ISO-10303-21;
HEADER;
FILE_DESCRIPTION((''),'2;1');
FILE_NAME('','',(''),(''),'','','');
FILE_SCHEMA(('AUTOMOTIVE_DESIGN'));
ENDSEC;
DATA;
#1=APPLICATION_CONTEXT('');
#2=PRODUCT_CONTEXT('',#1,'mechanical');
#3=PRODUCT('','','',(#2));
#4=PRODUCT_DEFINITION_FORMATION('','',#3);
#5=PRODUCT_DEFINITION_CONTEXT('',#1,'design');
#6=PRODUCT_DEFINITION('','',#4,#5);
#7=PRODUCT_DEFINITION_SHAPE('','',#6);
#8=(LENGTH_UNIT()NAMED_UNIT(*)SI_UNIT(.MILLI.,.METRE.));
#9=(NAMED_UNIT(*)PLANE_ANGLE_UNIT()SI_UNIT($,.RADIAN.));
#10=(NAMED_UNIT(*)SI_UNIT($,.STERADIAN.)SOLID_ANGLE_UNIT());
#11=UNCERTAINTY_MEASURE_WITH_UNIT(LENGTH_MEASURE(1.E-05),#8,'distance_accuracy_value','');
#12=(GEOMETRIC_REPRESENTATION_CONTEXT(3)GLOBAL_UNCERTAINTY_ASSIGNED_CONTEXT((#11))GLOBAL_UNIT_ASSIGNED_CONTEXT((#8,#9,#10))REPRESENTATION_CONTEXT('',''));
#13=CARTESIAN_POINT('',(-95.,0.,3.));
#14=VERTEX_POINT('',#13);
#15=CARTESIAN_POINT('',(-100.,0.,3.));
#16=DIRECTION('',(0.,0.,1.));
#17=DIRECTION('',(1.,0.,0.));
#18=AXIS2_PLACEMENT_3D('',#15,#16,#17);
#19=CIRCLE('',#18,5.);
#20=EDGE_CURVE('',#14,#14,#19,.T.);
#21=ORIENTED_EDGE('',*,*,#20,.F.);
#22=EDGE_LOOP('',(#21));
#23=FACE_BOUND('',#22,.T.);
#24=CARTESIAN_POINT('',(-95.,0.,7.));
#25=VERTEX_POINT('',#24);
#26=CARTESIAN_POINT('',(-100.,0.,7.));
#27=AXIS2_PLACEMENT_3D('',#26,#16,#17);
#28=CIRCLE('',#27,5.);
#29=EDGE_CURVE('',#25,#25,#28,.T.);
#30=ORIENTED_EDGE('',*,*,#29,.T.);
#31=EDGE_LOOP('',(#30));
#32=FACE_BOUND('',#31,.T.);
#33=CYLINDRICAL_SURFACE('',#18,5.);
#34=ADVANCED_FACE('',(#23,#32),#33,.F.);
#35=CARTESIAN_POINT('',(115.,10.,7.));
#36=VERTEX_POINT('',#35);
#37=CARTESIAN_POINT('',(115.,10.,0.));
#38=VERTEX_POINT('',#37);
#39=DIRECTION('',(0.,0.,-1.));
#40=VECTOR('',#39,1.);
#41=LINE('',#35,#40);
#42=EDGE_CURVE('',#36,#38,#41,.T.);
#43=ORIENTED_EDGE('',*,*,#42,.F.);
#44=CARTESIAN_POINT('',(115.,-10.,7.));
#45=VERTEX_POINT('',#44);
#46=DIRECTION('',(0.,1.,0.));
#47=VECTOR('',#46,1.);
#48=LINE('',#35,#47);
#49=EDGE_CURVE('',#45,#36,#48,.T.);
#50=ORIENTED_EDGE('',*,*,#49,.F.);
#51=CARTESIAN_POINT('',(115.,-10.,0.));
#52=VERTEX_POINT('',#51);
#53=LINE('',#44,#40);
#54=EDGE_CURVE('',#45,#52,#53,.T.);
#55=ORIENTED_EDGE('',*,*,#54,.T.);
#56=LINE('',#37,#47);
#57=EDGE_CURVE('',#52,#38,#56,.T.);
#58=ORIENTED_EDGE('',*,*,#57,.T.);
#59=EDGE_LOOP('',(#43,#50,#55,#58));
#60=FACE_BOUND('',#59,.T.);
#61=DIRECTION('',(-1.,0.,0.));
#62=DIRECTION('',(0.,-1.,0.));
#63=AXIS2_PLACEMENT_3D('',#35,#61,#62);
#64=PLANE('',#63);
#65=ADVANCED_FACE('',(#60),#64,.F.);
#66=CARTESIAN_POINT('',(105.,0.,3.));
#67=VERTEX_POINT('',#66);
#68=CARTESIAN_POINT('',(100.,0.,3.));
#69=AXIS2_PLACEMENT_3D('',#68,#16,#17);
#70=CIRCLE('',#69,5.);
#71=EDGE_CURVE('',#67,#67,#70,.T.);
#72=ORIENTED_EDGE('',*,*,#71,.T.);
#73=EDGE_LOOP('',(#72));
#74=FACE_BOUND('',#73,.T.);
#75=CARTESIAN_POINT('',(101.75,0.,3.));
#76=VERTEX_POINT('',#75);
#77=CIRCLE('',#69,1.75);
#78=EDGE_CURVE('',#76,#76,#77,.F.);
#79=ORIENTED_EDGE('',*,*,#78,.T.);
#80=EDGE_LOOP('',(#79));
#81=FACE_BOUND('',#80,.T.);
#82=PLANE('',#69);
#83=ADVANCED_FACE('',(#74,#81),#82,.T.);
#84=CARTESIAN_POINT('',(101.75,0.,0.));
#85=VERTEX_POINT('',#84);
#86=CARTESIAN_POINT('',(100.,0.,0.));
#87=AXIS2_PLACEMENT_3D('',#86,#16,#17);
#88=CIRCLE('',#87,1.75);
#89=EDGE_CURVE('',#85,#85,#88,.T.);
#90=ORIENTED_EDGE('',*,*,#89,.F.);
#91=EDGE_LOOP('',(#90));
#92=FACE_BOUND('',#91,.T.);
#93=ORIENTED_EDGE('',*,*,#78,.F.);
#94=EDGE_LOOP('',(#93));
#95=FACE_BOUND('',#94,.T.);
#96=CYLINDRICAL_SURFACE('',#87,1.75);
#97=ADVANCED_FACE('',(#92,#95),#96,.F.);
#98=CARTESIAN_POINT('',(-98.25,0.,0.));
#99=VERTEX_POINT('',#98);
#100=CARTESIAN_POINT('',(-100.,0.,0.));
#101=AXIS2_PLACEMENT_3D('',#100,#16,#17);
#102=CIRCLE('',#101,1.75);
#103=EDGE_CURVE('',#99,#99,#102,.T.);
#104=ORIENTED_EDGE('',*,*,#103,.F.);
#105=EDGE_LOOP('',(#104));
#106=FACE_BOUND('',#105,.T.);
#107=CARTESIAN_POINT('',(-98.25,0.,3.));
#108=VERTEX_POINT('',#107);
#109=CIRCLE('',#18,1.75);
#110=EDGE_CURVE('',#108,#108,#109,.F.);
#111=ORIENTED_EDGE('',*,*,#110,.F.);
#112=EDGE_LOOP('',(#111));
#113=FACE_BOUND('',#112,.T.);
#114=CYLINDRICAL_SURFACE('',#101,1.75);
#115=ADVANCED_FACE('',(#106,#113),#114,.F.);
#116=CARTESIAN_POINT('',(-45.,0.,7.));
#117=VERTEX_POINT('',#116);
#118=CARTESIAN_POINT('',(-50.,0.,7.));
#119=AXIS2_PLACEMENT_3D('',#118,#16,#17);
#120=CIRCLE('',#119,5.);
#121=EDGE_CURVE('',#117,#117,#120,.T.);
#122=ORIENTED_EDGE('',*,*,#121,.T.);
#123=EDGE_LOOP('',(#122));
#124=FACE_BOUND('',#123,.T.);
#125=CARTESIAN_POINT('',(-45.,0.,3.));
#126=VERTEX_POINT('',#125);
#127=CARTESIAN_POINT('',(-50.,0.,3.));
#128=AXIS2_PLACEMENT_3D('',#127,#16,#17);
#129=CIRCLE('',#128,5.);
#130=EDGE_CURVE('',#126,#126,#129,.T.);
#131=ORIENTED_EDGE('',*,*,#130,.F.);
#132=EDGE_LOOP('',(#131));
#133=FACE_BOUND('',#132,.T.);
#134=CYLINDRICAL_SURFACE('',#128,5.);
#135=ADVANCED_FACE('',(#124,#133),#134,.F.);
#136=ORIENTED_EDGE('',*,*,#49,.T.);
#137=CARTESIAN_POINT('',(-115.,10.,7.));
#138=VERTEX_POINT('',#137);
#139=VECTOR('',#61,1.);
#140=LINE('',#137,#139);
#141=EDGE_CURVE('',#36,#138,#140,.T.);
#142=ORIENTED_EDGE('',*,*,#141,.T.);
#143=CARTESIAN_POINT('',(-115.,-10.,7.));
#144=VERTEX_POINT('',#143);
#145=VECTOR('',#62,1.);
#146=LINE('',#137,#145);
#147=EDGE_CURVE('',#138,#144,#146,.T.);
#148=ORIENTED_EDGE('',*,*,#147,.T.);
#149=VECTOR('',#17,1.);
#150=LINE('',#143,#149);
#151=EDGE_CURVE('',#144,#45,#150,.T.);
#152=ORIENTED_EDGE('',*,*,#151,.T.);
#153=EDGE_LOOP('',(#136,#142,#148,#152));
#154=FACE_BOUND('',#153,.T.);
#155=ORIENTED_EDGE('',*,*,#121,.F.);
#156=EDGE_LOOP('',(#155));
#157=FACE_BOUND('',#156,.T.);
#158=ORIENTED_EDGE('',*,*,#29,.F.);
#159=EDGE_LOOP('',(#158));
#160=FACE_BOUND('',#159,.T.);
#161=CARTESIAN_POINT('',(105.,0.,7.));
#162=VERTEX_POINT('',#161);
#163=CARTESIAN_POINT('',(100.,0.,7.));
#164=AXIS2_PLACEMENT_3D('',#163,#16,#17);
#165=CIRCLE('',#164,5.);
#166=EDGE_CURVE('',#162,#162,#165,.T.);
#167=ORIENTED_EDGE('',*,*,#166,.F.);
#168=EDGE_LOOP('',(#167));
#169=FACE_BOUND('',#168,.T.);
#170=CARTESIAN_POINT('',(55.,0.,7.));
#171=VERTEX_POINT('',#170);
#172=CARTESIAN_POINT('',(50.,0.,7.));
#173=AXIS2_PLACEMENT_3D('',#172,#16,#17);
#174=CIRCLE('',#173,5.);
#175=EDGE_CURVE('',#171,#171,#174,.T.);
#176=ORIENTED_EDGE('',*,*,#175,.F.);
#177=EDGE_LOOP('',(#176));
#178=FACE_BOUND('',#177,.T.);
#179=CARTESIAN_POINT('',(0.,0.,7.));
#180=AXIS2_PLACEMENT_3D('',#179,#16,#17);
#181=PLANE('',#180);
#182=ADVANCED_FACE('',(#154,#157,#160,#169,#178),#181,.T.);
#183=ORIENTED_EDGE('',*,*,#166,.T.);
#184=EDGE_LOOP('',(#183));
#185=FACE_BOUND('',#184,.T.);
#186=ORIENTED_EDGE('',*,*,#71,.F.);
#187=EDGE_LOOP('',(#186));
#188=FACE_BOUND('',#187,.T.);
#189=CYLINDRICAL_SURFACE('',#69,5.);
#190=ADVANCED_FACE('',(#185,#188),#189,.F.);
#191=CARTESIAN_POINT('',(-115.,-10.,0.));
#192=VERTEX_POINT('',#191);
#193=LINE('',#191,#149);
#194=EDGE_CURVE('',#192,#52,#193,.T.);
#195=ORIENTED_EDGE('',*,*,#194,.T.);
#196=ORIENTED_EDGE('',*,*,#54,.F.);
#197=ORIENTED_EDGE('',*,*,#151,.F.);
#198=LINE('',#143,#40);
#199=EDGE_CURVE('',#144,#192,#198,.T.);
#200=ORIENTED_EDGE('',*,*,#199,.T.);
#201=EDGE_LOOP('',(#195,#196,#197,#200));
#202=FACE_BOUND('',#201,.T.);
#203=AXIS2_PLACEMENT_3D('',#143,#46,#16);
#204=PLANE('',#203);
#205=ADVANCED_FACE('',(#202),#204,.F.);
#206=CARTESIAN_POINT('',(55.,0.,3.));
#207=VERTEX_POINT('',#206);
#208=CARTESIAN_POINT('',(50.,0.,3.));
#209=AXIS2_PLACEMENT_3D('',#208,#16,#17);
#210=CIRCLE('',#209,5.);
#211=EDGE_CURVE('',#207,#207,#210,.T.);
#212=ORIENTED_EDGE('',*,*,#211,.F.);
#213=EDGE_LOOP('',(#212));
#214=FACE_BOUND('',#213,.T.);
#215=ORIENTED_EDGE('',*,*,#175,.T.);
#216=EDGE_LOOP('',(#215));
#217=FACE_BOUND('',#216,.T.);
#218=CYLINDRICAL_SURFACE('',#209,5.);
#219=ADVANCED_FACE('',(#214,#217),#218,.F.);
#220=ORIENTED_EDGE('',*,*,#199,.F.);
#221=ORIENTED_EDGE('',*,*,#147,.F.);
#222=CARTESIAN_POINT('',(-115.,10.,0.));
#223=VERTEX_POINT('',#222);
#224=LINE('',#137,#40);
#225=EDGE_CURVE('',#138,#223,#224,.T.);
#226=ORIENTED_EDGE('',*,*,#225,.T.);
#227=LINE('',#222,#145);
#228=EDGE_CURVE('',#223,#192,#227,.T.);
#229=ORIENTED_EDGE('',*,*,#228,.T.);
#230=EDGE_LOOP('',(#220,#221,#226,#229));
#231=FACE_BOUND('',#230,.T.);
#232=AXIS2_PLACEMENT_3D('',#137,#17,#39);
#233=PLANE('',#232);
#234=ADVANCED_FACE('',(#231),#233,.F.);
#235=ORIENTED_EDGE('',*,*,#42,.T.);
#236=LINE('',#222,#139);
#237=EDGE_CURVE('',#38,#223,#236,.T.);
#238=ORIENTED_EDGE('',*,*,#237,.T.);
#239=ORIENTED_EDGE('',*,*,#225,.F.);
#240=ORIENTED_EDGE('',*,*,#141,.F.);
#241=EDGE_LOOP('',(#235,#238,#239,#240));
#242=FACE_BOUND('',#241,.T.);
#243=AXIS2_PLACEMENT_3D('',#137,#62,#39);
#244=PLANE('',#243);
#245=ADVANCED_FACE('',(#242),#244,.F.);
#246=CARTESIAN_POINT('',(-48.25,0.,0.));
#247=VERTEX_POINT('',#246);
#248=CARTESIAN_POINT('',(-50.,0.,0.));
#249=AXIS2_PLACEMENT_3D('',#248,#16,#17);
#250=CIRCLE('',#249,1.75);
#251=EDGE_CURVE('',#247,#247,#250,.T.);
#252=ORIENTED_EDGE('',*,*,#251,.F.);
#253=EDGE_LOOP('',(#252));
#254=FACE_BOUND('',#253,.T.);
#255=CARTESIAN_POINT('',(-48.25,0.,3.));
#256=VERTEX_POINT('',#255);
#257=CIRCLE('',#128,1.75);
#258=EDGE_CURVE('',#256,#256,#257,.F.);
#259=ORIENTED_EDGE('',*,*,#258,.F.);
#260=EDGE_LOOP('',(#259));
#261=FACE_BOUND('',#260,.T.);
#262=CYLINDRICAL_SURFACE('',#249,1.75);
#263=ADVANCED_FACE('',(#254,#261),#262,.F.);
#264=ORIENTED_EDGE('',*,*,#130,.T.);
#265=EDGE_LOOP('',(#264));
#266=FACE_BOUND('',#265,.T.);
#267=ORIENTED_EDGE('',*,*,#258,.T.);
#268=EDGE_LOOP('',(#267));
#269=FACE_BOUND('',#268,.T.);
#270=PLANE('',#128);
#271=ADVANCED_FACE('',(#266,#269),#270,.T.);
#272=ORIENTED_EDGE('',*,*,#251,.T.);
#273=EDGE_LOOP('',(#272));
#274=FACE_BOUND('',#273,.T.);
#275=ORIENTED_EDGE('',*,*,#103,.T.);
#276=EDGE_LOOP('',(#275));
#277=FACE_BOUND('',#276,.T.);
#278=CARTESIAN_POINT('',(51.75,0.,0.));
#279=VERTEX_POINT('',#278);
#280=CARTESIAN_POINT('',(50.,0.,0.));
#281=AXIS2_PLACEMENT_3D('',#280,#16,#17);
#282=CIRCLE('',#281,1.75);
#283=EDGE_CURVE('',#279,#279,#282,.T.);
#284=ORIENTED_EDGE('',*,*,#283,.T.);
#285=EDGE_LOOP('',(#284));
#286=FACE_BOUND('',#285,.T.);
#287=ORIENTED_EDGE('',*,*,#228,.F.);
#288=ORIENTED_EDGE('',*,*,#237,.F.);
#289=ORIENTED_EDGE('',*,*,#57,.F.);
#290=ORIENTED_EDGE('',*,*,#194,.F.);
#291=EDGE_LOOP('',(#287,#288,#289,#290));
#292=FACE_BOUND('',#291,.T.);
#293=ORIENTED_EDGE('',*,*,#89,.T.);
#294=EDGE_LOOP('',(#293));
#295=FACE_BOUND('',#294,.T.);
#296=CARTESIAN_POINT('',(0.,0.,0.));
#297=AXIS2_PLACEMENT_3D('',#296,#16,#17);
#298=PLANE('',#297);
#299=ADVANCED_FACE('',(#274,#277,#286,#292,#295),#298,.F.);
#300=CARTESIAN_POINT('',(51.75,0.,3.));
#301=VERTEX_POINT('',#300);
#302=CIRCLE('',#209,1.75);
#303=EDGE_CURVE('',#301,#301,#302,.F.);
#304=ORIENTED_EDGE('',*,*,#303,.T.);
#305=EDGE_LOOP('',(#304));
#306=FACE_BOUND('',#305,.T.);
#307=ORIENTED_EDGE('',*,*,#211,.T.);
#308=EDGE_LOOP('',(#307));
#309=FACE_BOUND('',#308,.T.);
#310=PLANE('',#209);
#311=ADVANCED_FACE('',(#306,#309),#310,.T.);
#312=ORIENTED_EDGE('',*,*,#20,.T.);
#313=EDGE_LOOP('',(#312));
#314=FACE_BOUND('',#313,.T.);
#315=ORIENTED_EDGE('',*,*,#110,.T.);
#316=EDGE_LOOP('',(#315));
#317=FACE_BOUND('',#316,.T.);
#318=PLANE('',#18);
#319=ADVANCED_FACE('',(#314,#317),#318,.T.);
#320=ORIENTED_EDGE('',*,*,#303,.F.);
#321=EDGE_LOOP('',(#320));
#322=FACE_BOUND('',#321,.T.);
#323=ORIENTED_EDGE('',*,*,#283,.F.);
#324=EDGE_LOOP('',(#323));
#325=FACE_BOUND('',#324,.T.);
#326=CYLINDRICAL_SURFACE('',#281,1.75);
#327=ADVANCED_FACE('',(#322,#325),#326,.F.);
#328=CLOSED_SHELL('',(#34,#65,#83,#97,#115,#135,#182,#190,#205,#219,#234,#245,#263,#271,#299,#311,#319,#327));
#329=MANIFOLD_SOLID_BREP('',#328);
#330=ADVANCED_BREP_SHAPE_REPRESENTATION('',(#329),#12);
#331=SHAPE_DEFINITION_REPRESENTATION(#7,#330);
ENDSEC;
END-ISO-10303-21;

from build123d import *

# Parameters (mm, degrees)
SKETCH1_W           = 230
SKETCH1_H           = 20
BOSS_EXTRUDE1_DEPTH = 7
SKETCH2_R           = 1.75
CUT_EXTRUDE1_DEPTH  = 8
SKETCH3_R           = 5
CUT_EXTRUDE2_DEPTH  = 4


with BuildPart() as part:
    # Sketch1 → Boss-Extrude1 (new body)
    with BuildSketch(Plane.XY):
        Rectangle(SKETCH1_W, SKETCH1_H)
    extrude(amount=BOSS_EXTRUDE1_DEPTH)

    # Sketch2 → Cut-Extrude1 (cut, through all)
    with BuildSketch(Plane.XY.offset(7)):
        with Locations((-100, 0)):
            Circle(SKETCH2_R)
        with Locations((100, 0)):
            Circle(SKETCH2_R)
        with Locations((50, 0)):
            Circle(SKETCH2_R)
        with Locations((-50, 0)):
            Circle(SKETCH2_R)
    extrude(amount=-CUT_EXTRUDE1_DEPTH, mode=Mode.SUBTRACT)

    # Sketch3 → Cut-Extrude2 (cut)
    with BuildSketch(Plane.XY.offset(7)):
        with Locations((-100, 0)):
            Circle(SKETCH3_R)
        with Locations((-50, 0)):
            Circle(SKETCH3_R)
        with Locations((50, 0)):
            Circle(SKETCH3_R)
        with Locations((100, 0)):
            Circle(SKETCH3_R)
    extrude(amount=-CUT_EXTRUDE2_DEPTH, mode=Mode.SUBTRACT)


solid = part.part
